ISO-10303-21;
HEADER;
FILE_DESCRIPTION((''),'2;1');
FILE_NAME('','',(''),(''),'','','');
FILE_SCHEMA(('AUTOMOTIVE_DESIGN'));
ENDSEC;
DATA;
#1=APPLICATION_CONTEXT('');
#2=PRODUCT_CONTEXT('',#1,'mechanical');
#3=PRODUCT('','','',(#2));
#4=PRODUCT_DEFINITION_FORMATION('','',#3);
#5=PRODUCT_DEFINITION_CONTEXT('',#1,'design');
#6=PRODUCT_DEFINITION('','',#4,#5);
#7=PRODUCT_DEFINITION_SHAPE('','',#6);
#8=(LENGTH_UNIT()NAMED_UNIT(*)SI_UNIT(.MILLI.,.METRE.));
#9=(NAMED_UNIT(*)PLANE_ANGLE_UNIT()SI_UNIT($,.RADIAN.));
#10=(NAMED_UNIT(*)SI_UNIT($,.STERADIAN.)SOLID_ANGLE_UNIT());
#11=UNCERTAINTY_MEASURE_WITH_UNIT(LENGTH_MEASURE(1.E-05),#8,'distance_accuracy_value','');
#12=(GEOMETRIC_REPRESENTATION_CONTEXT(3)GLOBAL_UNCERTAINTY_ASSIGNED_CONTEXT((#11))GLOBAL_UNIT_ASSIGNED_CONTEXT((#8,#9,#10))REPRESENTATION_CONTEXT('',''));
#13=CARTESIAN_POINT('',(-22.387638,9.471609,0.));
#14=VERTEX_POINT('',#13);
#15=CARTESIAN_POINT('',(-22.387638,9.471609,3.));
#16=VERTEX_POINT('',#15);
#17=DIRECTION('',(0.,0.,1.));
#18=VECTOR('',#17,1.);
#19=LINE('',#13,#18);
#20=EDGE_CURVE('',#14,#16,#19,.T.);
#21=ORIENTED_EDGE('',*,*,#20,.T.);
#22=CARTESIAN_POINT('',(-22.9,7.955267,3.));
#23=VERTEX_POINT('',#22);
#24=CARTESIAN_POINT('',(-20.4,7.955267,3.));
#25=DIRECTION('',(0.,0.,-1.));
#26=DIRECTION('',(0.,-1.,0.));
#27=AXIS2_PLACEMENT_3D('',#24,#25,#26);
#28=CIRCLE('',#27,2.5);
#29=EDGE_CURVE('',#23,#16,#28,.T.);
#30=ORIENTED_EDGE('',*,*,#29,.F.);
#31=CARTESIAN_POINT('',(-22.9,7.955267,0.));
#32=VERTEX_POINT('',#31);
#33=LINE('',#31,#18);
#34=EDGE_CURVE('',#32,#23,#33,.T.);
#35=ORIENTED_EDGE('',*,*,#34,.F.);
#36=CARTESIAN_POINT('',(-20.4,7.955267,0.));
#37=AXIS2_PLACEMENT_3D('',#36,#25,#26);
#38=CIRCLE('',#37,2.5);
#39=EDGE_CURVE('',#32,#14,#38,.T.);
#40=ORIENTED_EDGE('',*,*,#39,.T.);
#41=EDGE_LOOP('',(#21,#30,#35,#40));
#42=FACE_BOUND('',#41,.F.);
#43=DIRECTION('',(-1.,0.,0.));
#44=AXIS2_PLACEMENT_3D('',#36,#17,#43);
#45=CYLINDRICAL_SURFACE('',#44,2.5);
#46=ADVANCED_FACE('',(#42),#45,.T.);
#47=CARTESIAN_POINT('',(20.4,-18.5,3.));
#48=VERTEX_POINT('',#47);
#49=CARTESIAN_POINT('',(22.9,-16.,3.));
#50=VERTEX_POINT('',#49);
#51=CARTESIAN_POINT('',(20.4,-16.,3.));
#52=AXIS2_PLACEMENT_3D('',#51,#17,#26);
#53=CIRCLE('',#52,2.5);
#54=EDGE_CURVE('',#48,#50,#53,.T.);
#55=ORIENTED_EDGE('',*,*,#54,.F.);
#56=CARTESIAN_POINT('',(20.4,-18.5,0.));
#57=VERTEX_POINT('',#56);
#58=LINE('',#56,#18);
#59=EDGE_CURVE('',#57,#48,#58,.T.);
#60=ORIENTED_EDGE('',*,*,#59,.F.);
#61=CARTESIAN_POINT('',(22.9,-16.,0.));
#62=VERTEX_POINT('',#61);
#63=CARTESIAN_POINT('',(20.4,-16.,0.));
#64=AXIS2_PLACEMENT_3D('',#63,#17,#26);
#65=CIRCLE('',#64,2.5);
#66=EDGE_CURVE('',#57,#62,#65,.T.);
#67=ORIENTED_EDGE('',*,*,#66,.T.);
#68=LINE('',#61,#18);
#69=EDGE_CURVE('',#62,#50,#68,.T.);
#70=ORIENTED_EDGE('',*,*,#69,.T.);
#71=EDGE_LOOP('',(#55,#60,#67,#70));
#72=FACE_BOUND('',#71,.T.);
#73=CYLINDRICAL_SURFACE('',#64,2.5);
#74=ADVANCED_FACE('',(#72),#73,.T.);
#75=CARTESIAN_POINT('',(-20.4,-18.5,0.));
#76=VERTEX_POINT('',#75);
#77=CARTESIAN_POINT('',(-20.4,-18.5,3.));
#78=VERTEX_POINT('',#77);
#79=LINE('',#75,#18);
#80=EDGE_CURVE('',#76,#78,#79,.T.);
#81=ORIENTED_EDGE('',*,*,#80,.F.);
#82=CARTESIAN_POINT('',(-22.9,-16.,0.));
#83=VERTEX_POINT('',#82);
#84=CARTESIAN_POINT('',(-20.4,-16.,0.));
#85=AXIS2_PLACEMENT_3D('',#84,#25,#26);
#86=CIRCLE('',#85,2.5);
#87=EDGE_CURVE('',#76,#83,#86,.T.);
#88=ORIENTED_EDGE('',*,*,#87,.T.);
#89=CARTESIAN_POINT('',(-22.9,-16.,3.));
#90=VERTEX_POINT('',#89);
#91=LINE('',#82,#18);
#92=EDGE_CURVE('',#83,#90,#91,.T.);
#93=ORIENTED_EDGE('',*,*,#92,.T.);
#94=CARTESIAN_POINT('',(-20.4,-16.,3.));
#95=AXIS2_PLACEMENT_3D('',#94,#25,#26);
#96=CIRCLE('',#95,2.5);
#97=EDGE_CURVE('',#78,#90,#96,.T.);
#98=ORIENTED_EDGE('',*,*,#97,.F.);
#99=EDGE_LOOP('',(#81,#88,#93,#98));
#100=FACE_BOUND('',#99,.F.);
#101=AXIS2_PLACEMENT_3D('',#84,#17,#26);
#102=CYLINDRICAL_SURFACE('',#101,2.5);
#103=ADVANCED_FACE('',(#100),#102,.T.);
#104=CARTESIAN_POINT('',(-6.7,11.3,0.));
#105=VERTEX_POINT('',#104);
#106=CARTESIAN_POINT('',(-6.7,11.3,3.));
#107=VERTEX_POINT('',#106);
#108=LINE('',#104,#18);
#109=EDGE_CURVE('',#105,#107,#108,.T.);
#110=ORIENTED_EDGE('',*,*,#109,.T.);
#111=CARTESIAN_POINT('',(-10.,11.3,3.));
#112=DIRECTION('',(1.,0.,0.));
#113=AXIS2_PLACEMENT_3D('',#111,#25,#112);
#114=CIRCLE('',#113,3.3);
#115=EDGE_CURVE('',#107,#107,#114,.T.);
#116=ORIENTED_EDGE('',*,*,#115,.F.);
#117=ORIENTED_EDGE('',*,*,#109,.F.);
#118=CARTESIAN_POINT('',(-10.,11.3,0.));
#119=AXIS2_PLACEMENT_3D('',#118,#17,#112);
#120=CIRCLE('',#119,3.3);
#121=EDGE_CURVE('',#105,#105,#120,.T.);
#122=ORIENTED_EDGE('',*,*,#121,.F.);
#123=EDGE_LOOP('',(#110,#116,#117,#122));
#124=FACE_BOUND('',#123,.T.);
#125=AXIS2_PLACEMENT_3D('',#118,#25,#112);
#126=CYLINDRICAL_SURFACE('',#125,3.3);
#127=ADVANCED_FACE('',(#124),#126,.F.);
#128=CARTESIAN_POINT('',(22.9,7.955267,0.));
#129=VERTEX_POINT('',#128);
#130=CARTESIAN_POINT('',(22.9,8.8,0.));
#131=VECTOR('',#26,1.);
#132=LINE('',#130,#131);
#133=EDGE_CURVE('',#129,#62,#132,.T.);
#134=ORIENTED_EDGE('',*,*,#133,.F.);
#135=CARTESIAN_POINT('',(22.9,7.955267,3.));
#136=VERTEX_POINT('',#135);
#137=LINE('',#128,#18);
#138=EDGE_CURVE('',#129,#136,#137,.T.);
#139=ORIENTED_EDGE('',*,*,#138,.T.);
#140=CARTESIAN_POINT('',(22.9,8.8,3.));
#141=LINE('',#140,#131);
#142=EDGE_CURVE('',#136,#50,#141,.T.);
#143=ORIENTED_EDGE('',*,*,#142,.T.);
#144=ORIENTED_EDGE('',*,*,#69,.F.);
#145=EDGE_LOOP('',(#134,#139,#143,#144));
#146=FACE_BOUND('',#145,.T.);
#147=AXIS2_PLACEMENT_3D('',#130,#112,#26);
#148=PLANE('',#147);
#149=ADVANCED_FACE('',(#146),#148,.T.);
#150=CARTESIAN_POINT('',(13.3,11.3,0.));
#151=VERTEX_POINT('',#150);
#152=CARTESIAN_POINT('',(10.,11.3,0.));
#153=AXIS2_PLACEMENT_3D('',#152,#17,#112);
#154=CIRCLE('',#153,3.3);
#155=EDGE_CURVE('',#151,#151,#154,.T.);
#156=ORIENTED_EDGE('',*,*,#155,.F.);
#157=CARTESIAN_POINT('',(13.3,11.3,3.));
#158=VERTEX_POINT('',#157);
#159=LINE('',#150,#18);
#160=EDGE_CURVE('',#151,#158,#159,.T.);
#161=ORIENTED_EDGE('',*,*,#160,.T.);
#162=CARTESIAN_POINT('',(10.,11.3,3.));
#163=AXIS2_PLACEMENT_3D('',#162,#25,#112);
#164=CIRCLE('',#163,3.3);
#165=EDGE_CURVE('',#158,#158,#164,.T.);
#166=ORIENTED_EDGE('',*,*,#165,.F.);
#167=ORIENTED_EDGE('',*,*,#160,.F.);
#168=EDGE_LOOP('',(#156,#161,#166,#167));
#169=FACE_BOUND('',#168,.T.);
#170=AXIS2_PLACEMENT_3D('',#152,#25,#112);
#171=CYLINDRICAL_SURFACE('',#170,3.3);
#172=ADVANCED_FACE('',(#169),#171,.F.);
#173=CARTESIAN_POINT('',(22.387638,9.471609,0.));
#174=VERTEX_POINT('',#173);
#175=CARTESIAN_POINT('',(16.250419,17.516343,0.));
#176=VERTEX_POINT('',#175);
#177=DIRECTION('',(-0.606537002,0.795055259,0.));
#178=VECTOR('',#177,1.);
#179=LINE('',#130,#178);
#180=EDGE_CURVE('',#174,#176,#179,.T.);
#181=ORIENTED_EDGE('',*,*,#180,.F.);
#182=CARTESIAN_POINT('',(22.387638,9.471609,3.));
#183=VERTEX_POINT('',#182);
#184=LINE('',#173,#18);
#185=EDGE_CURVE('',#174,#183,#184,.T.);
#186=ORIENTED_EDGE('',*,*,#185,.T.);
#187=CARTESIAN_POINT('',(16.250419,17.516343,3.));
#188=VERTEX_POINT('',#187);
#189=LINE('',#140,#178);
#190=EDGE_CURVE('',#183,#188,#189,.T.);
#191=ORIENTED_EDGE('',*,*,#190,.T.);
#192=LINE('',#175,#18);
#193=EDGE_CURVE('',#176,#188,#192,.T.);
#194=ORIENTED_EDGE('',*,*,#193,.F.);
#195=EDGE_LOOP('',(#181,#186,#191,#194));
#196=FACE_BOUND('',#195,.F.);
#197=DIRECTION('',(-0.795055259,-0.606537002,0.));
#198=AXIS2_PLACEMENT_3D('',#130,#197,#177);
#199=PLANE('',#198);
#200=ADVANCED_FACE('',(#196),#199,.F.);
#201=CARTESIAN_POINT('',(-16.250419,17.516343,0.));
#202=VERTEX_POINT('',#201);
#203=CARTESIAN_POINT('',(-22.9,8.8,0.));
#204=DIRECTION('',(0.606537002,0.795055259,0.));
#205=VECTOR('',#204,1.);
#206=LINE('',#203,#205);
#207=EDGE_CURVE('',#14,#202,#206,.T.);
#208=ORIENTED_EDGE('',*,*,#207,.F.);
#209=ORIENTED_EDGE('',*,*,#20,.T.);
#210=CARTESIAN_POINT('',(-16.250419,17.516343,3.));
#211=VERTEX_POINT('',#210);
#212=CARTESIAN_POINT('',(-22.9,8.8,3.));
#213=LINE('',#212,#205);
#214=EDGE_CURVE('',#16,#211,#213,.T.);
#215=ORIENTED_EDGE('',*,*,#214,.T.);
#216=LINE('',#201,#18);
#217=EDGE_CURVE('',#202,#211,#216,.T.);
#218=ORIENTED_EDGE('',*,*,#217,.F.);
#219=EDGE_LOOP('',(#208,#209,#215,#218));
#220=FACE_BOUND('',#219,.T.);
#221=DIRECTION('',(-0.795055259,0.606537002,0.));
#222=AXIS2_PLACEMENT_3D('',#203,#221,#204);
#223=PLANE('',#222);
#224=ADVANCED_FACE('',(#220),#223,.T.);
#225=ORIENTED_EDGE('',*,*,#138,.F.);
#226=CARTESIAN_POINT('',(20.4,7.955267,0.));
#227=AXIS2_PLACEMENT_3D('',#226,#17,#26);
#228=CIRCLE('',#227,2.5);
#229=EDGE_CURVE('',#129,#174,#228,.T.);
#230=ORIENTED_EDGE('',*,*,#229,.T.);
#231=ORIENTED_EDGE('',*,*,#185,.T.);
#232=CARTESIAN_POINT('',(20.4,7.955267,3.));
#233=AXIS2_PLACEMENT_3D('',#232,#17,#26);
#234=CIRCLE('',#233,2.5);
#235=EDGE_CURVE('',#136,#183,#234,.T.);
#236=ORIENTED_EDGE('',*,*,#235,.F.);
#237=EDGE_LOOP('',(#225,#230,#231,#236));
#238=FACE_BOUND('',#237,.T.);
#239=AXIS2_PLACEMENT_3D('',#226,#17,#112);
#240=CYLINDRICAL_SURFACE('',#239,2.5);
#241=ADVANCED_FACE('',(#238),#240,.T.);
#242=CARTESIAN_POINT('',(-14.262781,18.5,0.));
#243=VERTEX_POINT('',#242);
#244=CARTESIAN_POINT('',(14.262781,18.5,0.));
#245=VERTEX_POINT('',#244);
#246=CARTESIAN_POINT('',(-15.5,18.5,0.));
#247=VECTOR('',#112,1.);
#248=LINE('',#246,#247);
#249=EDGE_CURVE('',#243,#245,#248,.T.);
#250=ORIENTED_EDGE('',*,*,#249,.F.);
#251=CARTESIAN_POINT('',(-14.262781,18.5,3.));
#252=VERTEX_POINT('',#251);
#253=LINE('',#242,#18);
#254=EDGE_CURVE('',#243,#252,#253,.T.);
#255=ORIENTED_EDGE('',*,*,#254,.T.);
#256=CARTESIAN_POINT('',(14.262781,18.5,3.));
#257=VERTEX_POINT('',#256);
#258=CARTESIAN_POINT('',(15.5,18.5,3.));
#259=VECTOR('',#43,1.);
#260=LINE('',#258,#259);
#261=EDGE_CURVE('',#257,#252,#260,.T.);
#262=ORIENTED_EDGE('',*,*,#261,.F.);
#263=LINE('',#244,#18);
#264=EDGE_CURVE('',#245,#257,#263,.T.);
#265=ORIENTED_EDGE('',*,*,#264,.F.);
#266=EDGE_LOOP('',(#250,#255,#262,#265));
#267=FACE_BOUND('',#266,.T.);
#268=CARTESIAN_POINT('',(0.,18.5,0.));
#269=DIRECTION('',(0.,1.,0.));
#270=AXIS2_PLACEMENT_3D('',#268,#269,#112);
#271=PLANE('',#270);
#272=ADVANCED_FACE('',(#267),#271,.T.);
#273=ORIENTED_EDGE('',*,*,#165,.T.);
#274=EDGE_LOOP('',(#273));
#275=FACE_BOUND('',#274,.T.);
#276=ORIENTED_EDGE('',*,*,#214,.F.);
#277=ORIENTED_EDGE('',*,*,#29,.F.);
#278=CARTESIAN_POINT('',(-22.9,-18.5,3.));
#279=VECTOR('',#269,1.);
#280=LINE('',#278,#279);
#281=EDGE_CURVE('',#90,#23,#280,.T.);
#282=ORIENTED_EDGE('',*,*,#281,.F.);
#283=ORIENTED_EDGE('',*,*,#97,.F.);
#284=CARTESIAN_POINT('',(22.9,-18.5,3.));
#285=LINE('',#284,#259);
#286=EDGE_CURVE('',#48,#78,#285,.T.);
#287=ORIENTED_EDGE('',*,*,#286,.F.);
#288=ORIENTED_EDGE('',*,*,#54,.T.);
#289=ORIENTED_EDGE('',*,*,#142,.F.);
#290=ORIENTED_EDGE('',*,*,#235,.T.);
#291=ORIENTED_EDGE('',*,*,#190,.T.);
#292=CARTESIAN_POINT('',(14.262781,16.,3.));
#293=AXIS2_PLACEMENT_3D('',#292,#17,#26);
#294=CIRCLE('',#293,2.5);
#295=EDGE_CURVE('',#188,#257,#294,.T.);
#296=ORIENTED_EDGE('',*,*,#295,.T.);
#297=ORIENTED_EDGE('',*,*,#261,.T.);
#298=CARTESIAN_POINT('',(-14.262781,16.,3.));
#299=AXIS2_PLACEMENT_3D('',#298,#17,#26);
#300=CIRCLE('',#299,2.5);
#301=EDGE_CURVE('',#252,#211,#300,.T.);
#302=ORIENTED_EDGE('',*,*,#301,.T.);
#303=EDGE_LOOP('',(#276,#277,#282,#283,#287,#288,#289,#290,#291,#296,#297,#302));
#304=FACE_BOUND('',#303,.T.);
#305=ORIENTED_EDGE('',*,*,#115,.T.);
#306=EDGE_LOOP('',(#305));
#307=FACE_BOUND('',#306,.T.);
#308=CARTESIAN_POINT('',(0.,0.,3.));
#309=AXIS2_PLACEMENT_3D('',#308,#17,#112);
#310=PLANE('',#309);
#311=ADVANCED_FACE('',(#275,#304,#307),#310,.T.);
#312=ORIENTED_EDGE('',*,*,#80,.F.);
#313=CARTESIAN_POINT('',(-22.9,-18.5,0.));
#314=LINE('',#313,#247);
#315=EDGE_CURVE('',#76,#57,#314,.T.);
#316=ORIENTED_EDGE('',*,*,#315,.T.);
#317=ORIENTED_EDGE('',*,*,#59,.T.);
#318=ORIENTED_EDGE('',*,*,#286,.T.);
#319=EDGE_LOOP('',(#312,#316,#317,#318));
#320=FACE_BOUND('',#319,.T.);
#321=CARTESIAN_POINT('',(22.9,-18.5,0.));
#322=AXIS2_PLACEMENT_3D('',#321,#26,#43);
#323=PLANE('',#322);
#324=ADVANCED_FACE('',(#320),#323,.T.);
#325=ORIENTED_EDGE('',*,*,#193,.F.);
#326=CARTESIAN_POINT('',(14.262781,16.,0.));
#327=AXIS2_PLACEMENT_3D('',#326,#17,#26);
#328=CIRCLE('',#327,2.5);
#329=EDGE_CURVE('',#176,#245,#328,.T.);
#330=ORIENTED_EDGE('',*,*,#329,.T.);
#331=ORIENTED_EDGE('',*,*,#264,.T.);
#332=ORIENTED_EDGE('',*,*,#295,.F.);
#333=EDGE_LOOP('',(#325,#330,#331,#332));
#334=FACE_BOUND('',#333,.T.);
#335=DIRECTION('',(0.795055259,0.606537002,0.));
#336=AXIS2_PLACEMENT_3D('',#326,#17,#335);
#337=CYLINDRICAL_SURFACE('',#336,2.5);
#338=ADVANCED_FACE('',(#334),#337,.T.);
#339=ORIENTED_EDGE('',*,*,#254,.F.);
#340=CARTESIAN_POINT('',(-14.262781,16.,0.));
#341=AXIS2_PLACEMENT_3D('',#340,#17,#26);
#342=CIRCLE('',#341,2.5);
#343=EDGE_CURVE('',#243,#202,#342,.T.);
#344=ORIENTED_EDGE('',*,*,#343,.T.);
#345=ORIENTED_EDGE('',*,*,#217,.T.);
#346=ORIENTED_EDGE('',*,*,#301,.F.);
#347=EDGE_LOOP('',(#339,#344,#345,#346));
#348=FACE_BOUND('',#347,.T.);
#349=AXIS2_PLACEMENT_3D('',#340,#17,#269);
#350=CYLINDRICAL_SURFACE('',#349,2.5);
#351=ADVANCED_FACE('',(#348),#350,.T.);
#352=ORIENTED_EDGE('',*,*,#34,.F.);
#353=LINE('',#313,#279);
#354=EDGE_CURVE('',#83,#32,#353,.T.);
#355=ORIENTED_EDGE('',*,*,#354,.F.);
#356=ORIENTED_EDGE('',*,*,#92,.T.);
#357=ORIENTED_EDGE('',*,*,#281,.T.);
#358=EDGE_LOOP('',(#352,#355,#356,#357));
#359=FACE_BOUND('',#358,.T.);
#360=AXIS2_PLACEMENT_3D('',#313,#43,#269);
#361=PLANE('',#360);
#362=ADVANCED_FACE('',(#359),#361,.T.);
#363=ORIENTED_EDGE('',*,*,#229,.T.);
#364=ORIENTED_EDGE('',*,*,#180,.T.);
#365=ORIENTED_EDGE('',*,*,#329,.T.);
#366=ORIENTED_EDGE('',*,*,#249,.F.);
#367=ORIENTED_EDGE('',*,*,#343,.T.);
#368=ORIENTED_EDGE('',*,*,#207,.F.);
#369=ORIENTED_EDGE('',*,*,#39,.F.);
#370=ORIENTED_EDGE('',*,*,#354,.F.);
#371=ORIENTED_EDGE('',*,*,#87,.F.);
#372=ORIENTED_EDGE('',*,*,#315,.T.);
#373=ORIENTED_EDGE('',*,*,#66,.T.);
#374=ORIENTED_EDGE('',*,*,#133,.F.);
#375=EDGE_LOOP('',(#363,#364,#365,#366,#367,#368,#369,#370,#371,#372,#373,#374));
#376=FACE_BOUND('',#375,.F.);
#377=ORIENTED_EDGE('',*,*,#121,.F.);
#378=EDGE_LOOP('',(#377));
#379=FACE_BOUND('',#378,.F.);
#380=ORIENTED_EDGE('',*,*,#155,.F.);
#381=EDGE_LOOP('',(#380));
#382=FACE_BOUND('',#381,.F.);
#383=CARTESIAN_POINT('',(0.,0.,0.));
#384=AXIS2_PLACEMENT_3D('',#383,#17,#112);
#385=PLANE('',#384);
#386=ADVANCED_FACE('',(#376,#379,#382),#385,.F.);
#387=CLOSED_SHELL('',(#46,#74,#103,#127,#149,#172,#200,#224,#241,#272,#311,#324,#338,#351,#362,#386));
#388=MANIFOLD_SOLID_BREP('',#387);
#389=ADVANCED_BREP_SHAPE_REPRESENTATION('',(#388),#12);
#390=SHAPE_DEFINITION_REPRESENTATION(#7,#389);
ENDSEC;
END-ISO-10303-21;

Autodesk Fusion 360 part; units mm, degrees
sketch "Sketch1" plane through (0, 0, 0) normal (0, 0, 1) x (1, 0, 0)
  line L0 (22.9, -18.5) -> (-22.9, -18.5)
  line L1 (-22.9, -18.5) -> (-22.9, 8.8)
  line L2 (-15.5, 18.5) -> (15.5, 18.5)
  line L3 (22.9, 8.8) -> (22.9, -18.5)
  line L4 (22.9, -18.5) -> (-22.9, 18.5) construction
  line L5 (-22.9, -18.5) -> (22.9, 18.5) construction
  line L6 (0, 18.5) -> (0, -18.5)
  line L7 (10, 14.6) -> (10, 8)
  circle A0 centre (-10, 11.3) radius 3.3
  circle A1 centre (10, 11.3) radius 3.3
  line L8 (-22.9, 8.8) -> (-15.5, 18.5)
  line L9 (22.9, 8.8) -> (15.5, 18.5)
  line L10 (-13.9876, 11.3) -> (-13.3, 11.3)
  line L11 (13.3, 11.3) -> (13.9876, 11.3)
  line L12 (-10, 8.0786) -> (-10, 8)
  dimension "d1" = 45.8
  dimension "d2" = 37
  dimension "d5" = 6.6
  dimension "d6" = 27.3
extrude "Extrude1" add sketch "Sketch1" along normal blind 3
fillet "Fillet1" radius 2.5 6 edges at (15.5, 18.5, 1.5) (22.9, 8.8, 1.5) (22.9, -18.5, 1.5) (-22.9, -18.5, 1.5) (-22.9, 8.8, 1.5) (-15.5, 18.5, 1.5)
